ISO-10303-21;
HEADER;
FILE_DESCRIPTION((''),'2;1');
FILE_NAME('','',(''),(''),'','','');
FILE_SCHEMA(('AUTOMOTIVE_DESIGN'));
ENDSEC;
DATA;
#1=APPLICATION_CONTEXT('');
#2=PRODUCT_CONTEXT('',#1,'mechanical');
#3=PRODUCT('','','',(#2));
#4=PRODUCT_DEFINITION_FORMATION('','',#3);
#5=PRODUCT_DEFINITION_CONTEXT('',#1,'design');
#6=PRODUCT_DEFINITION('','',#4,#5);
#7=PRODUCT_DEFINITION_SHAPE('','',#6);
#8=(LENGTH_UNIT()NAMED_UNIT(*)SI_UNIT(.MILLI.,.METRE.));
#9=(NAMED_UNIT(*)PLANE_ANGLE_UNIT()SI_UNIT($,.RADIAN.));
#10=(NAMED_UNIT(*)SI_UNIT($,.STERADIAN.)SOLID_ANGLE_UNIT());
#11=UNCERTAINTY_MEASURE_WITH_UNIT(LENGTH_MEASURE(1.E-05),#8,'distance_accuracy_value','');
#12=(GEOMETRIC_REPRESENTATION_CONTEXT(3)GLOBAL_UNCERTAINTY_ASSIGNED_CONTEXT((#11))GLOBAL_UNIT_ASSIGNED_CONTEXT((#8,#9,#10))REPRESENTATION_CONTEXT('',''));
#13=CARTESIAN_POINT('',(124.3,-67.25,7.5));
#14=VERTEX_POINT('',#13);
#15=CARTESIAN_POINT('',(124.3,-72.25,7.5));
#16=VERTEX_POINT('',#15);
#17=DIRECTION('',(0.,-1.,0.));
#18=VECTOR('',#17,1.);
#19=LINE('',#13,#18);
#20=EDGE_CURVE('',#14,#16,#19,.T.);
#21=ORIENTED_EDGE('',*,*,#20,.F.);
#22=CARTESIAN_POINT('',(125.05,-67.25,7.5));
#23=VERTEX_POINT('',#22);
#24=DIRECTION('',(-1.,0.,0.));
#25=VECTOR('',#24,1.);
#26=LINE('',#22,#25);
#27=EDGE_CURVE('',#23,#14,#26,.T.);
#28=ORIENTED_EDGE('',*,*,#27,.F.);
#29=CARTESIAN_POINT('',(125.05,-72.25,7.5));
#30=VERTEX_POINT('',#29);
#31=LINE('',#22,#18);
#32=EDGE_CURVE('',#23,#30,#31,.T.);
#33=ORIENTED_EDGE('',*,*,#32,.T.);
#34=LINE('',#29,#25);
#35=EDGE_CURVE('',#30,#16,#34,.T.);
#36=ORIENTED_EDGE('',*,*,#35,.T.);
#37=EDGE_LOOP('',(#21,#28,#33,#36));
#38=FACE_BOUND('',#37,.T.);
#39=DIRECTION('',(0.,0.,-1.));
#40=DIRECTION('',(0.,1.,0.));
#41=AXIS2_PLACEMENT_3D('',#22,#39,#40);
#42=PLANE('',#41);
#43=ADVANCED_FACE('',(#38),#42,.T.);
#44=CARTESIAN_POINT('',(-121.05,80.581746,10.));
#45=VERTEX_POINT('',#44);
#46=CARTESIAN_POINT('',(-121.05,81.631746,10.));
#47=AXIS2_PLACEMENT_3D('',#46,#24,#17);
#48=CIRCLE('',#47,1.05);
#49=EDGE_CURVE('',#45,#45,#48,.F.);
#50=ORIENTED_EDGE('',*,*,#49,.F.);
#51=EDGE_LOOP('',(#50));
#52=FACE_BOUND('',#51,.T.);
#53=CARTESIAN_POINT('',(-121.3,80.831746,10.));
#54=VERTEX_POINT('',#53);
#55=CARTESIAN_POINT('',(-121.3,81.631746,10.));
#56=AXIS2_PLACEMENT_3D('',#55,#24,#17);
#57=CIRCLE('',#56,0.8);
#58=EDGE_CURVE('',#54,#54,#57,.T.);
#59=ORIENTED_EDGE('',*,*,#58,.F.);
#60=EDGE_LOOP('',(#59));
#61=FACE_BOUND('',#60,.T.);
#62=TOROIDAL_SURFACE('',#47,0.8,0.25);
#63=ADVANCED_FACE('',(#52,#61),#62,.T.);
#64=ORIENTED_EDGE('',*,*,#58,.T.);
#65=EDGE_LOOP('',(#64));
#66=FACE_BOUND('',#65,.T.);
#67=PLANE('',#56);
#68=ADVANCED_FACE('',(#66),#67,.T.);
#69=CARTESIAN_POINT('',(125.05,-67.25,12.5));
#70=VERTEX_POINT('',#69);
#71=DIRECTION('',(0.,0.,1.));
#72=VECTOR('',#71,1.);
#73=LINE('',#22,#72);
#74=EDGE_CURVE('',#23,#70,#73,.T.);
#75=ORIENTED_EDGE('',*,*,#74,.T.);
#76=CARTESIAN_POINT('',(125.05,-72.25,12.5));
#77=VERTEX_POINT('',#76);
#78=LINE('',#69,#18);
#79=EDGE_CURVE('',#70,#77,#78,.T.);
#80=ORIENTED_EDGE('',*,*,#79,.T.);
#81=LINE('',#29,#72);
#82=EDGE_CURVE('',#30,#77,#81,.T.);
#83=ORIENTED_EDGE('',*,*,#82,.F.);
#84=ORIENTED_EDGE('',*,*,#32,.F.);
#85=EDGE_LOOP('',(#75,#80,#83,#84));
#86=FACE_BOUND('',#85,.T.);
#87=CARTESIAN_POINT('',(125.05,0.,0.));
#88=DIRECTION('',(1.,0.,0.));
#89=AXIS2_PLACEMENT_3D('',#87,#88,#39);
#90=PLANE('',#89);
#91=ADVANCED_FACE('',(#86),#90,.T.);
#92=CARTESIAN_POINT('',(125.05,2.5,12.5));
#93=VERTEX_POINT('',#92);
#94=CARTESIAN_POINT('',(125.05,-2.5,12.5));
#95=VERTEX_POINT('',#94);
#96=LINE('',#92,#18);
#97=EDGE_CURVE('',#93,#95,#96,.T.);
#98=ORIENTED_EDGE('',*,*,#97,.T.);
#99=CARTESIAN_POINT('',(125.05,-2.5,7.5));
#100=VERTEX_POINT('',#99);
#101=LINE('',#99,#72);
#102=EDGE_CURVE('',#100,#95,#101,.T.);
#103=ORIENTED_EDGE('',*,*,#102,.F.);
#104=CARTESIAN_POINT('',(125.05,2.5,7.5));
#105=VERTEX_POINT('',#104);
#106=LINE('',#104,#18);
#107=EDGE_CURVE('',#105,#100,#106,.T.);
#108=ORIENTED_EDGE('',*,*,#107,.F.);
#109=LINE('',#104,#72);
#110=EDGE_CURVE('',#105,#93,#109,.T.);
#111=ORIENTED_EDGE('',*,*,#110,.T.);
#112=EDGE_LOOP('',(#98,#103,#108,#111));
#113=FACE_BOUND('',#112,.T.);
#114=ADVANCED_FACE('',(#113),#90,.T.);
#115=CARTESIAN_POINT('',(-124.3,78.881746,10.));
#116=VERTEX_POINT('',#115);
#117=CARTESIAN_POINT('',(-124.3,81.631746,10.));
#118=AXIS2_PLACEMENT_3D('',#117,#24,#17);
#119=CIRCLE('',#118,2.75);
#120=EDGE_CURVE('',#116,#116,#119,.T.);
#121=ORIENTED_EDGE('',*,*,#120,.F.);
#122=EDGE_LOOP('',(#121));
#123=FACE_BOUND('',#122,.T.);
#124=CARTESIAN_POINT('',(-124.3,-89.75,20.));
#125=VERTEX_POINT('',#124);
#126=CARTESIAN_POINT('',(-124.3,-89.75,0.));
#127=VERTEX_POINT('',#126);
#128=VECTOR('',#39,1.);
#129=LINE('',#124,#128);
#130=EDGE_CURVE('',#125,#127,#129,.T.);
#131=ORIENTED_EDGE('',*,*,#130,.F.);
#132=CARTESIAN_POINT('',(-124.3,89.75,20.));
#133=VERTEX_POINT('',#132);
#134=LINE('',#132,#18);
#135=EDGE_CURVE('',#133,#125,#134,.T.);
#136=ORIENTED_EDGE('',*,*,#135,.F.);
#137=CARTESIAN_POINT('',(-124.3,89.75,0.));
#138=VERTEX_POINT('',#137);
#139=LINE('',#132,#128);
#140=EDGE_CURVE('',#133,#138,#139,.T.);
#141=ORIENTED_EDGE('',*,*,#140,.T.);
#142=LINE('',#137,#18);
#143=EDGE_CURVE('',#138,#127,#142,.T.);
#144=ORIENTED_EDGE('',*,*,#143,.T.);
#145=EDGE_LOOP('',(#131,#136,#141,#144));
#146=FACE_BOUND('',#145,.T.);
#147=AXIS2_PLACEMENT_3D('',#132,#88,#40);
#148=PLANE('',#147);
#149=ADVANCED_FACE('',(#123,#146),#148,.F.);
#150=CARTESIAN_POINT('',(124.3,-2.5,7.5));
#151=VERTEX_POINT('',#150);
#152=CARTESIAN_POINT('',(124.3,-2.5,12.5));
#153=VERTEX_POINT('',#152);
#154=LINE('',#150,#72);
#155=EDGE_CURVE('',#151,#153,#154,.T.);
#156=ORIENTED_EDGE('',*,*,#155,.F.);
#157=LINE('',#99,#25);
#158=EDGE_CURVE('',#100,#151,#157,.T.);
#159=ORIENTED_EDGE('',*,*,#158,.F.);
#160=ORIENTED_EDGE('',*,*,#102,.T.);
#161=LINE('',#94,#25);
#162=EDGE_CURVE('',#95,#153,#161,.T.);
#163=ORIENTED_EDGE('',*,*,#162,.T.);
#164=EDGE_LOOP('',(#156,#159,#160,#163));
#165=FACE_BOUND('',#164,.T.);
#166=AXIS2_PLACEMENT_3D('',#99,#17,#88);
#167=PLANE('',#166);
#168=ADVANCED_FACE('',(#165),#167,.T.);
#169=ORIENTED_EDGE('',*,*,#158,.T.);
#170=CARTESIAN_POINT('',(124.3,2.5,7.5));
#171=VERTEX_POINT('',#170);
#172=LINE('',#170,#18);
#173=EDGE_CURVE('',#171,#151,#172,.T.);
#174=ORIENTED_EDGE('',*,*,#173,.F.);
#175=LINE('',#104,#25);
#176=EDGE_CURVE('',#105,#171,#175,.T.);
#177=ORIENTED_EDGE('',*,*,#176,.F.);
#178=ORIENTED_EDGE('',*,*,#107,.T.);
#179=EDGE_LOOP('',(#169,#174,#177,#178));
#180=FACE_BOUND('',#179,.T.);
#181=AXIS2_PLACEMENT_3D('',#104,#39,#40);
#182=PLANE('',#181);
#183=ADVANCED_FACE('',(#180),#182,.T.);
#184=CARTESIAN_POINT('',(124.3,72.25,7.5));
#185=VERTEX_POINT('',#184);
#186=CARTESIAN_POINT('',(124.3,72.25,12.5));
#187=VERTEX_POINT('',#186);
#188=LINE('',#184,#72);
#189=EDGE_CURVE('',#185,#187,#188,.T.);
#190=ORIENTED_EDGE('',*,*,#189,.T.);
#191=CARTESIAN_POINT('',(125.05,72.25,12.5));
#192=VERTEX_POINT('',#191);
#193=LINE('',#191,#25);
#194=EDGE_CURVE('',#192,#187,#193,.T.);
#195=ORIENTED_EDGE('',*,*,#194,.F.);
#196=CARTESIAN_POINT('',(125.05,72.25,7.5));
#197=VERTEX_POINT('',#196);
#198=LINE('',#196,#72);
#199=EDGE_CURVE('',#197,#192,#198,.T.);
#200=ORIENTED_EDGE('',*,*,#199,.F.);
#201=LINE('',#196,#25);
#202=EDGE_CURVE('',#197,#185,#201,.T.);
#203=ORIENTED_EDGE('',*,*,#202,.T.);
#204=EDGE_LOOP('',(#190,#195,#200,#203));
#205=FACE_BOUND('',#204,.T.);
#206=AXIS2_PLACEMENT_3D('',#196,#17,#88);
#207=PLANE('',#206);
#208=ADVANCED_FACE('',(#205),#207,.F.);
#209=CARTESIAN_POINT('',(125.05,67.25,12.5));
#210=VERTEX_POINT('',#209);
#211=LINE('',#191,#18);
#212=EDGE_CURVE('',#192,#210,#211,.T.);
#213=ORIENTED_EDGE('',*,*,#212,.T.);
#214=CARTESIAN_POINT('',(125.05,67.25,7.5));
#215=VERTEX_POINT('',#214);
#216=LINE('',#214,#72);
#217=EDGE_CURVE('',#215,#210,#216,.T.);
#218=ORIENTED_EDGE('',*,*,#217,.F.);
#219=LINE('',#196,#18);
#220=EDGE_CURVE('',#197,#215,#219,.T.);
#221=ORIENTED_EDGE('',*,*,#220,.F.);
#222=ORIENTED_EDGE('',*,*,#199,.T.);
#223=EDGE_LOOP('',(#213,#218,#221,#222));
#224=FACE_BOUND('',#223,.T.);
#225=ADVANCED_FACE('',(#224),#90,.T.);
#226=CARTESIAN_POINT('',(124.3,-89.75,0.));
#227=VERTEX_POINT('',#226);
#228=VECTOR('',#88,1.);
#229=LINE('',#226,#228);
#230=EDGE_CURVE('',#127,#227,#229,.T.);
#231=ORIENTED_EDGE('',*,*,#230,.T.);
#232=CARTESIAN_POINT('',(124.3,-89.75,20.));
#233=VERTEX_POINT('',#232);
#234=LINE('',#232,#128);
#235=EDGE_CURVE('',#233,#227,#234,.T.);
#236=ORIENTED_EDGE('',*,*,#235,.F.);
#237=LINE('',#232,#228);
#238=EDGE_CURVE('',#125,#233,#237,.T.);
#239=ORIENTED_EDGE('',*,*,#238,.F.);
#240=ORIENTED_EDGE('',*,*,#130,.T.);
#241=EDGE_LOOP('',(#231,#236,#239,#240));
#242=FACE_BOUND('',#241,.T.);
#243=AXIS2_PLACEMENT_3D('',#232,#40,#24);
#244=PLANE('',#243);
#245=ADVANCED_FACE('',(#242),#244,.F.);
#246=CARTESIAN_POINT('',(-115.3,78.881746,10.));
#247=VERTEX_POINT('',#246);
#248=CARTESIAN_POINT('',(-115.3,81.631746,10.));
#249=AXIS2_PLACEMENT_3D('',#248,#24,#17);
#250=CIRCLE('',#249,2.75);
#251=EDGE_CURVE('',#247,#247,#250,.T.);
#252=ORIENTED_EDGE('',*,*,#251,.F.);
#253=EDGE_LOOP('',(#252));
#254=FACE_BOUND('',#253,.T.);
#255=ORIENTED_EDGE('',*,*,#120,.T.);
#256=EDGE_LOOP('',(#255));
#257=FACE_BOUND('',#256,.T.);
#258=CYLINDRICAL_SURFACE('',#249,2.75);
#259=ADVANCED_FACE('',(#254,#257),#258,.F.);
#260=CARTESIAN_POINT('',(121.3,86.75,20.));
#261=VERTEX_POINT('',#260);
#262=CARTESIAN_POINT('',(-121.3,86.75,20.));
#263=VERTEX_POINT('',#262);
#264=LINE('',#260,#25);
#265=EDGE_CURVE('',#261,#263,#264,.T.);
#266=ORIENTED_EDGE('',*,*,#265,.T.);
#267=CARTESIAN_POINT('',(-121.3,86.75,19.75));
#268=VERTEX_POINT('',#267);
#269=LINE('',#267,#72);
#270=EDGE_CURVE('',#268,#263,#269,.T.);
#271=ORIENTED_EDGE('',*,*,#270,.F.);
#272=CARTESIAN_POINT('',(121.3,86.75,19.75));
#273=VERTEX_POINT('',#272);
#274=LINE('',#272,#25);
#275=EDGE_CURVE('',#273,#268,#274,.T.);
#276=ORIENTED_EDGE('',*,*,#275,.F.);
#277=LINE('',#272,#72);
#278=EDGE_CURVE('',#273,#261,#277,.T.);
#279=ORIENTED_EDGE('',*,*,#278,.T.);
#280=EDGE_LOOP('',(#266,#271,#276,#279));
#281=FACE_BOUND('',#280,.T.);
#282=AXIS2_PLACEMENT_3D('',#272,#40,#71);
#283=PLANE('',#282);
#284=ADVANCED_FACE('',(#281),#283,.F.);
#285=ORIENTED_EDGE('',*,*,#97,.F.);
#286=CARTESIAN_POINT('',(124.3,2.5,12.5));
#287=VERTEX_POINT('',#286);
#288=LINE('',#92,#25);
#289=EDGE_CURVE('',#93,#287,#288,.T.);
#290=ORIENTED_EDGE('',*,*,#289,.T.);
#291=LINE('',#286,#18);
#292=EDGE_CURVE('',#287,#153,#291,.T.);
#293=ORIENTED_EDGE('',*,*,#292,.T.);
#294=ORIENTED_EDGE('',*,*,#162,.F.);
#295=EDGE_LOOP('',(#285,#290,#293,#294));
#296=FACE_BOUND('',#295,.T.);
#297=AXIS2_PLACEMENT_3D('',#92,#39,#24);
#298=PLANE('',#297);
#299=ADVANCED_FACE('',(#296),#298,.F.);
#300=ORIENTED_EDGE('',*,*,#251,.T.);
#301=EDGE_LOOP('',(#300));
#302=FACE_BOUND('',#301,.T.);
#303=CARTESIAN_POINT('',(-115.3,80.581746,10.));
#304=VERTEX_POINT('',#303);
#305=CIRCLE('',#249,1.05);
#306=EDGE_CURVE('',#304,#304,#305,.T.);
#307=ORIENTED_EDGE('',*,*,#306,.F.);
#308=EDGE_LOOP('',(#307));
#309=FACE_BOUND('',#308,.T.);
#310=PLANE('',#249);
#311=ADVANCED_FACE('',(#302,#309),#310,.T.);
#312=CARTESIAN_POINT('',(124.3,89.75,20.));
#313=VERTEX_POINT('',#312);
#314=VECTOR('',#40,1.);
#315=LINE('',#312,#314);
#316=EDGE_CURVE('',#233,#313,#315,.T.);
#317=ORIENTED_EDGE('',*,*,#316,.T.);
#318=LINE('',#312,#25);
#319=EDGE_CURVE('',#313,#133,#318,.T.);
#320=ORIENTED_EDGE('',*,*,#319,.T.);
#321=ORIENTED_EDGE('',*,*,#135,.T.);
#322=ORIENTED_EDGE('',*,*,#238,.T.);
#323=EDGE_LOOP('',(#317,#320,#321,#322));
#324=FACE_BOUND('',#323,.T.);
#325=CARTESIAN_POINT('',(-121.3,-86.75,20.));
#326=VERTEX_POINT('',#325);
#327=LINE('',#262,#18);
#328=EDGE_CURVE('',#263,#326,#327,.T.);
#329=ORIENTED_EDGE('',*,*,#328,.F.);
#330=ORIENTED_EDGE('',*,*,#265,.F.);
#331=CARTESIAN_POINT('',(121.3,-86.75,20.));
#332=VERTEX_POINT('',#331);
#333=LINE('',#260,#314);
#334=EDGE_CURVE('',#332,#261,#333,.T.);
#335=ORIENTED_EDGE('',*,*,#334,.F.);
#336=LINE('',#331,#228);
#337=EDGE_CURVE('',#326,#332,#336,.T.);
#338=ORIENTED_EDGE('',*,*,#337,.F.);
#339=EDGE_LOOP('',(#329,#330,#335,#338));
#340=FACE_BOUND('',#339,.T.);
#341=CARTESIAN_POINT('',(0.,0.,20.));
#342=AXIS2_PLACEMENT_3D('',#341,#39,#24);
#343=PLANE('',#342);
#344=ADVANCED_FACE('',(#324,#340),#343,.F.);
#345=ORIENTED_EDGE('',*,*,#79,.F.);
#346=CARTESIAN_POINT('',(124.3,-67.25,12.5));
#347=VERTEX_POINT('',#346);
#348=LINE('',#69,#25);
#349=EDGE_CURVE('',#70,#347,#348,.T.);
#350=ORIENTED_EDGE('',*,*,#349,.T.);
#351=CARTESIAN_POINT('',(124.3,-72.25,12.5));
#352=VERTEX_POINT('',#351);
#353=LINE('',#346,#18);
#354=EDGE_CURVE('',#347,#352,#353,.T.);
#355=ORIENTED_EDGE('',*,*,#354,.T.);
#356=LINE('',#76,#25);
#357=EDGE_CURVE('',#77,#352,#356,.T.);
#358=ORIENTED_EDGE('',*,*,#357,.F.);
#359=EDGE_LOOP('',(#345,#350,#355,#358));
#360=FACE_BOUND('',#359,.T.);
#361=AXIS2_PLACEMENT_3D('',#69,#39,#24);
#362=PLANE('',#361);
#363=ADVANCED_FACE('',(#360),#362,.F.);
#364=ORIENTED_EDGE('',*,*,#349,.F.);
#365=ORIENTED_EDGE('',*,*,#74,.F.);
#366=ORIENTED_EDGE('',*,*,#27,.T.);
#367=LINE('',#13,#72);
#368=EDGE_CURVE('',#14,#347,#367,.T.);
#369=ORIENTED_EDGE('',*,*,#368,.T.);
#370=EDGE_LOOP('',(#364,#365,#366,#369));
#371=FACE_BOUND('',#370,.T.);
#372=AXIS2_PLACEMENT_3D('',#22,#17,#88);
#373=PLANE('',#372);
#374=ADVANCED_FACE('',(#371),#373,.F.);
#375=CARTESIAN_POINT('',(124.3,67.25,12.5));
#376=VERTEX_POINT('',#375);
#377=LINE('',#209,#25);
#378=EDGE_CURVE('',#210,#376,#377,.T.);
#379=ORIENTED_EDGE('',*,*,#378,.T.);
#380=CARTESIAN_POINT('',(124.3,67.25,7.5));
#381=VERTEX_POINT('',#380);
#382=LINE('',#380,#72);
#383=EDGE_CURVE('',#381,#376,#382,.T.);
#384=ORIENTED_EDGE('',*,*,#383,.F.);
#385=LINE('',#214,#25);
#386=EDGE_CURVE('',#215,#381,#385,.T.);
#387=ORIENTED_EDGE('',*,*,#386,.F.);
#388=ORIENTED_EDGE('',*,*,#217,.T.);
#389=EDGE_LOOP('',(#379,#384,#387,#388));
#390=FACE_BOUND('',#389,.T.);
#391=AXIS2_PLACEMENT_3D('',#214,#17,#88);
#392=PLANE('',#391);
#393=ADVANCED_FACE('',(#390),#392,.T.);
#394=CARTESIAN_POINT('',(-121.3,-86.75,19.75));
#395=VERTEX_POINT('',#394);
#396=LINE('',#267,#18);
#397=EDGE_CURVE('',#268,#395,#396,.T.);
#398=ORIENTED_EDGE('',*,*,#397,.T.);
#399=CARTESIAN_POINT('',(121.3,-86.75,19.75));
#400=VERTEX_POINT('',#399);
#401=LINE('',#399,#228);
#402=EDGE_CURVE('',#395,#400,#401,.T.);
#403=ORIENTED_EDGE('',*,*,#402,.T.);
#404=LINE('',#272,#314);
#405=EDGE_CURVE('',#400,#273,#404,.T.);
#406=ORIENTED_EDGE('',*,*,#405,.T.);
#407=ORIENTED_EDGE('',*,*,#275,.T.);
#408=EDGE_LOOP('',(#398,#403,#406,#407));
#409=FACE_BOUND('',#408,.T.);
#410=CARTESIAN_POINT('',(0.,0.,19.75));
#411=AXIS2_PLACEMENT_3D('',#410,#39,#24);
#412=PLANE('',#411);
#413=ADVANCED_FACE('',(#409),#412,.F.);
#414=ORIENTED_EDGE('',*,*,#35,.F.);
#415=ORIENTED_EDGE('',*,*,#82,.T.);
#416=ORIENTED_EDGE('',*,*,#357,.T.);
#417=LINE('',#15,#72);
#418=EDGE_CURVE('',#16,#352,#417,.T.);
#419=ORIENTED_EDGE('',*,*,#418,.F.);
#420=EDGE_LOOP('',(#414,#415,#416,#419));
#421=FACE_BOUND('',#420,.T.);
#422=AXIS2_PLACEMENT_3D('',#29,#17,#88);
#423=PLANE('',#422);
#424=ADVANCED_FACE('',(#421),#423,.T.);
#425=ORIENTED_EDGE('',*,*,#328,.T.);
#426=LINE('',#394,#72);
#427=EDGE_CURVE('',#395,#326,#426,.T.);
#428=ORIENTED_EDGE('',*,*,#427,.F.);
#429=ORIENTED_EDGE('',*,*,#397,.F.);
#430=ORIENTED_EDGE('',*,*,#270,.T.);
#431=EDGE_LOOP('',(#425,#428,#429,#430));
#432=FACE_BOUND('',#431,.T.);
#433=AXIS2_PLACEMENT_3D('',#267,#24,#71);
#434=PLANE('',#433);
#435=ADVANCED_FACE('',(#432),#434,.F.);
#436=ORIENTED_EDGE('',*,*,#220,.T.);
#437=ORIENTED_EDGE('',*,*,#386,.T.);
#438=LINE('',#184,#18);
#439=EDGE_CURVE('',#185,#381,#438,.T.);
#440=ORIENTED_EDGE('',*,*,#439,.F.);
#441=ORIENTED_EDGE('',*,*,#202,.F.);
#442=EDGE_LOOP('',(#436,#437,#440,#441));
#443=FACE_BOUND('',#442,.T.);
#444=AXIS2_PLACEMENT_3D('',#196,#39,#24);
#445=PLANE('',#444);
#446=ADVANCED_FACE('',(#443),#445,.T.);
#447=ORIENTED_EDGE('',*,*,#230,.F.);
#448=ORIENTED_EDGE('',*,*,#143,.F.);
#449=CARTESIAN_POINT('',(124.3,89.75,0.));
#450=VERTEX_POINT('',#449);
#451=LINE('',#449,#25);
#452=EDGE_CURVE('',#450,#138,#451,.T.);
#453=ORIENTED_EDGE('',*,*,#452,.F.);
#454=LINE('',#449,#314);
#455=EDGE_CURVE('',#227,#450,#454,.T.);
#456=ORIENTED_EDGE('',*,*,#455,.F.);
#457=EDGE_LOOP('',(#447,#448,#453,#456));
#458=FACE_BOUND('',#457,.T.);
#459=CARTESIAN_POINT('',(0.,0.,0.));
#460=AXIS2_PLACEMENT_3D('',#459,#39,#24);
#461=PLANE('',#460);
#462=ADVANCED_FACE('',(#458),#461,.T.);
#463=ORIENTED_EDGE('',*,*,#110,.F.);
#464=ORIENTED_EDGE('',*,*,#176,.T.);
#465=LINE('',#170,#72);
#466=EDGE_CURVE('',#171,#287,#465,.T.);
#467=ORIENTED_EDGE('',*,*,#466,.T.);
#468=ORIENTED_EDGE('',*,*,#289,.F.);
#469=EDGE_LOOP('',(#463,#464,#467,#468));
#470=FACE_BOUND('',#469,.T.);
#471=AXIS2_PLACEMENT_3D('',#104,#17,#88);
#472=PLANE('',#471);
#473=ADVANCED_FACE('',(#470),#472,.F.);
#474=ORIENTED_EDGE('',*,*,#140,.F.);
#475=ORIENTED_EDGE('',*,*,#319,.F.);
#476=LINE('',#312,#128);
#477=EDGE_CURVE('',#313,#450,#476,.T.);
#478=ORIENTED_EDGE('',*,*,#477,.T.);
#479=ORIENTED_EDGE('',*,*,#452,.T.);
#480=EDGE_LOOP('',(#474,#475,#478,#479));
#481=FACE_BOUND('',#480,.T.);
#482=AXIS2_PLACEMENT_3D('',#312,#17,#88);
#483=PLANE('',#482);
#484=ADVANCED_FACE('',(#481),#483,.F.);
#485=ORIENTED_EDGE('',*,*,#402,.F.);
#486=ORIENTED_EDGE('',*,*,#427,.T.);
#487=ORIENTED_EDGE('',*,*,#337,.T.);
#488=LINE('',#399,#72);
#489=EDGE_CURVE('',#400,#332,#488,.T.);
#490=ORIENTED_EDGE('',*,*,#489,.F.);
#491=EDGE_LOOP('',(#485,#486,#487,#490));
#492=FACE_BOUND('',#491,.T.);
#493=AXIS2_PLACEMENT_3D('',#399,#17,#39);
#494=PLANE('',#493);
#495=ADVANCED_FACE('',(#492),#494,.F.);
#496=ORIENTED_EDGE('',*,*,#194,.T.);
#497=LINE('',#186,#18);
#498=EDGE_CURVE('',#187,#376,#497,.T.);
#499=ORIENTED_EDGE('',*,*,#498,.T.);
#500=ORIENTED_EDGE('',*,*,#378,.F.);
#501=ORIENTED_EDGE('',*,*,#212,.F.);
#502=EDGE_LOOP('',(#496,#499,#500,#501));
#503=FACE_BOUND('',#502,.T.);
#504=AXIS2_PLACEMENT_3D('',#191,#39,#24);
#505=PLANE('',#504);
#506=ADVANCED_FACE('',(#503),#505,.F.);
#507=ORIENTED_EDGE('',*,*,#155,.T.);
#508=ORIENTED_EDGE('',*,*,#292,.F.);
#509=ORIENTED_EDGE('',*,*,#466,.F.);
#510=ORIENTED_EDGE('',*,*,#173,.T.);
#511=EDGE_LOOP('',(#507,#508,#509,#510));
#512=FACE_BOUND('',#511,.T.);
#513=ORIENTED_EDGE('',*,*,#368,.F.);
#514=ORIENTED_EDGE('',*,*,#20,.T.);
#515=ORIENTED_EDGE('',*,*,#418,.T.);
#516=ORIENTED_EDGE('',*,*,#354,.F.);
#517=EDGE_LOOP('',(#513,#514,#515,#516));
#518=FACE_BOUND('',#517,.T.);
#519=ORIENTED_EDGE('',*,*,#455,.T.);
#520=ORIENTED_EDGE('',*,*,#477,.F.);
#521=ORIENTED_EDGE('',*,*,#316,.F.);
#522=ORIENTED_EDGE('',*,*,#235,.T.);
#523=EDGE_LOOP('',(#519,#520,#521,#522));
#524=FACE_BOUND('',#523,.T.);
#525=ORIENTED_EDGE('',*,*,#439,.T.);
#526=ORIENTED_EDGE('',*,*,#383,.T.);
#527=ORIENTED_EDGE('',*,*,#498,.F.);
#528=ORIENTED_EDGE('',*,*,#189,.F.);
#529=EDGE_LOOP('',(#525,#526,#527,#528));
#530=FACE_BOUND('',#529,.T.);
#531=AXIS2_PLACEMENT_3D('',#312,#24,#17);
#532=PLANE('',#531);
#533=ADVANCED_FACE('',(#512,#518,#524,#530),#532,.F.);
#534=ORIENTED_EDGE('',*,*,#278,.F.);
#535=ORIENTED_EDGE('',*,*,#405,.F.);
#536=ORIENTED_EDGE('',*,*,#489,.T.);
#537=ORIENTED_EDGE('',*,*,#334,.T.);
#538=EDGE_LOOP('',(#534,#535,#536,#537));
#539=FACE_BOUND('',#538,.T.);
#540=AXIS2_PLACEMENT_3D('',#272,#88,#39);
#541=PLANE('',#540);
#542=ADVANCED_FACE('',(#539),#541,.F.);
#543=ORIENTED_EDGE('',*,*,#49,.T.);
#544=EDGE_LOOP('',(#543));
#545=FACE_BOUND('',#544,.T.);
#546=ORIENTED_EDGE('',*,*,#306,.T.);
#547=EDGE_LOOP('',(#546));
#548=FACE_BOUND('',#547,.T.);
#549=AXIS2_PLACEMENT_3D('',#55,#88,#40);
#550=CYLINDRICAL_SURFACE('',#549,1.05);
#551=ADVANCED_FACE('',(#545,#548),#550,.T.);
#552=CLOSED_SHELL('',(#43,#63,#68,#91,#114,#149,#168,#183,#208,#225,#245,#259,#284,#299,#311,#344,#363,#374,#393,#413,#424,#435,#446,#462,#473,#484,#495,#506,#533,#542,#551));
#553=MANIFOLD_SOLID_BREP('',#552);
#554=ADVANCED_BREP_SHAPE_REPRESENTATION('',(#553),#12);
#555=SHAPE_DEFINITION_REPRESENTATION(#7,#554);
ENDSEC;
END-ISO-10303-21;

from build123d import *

# Parameters (mm, degrees)
SKETCH1_W           = 248.6
SKETCH1_H           = 179.5
BOSS_EXTRUDE1_DEPTH = 20
SKETCH2_W           = 242.6
SKETCH2_H           = 173.5
CUT_EXTRUDE1_DEPTH  = 0.25
SKETCH3_W           = 5
SKETCH3_H           = 5
BOSS_EXTRUDE2_DEPTH = 0.75
SKETCH4_R           = 2.75
CUT_EXTRUDE2_DEPTH  = 9
SKETCH6_R           = 1.05
BOSS_EXTRUDE3_DEPTH = 6
FILLET1_R           = 0.25


with BuildPart() as part:
    # Sketch1 → Boss-Extrude1 (new body)
    with BuildSketch(Plane.XY):
        Rectangle(SKETCH1_W, SKETCH1_H)
    extrude(amount=BOSS_EXTRUDE1_DEPTH)

    # Sketch2 → Cut-Extrude1 (cut)
    with BuildSketch(Plane.XY.offset(20)):
        Rectangle(SKETCH2_W, SKETCH2_H)
    extrude(amount=-CUT_EXTRUDE1_DEPTH, mode=Mode.SUBTRACT)

    # Sketch3 → Boss-Extrude2 (add)
    with BuildSketch(Plane(origin=(124.3, 0, 0), x_dir=(0, 0, -1), z_dir=(1, 0, 0))):
        with Locations((-10, 69.75)):
            Rectangle(SKETCH3_W, SKETCH3_H)
        with Locations((-10, 0)):
            Rectangle(SKETCH3_W, SKETCH3_H)
        with Locations((-10, -69.75)):
            Rectangle(SKETCH3_W, SKETCH3_H)
    extrude(amount=BOSS_EXTRUDE2_DEPTH)

    # Sketch4 → Cut-Extrude2 (cut)
    with BuildSketch(Plane.ZY.offset(124.3)):
        with Locations(Location((10, 81.631746132, 0), (0, 0, 270))):
            Circle(SKETCH4_R)
    extrude(amount=-CUT_EXTRUDE2_DEPTH, mode=Mode.SUBTRACT)

    # Sketch6 → Boss-Extrude3 (add)
    with BuildSketch(Plane.ZY.offset(115.3)):
        with Locations(Location((10, 81.631746132, 0), (0, 0, 270))):
            Circle(SKETCH6_R)
    extrude(amount=BOSS_EXTRUDE3_DEPTH)

    # Fillet1
    fillet1_edges = [part.edges().sort_by_distance(p)[0] for p in [
        (-121.3, 82.681746132, 10),
    ]]
    fillet(fillet1_edges, radius=FILLET1_R)


solid = part.part
